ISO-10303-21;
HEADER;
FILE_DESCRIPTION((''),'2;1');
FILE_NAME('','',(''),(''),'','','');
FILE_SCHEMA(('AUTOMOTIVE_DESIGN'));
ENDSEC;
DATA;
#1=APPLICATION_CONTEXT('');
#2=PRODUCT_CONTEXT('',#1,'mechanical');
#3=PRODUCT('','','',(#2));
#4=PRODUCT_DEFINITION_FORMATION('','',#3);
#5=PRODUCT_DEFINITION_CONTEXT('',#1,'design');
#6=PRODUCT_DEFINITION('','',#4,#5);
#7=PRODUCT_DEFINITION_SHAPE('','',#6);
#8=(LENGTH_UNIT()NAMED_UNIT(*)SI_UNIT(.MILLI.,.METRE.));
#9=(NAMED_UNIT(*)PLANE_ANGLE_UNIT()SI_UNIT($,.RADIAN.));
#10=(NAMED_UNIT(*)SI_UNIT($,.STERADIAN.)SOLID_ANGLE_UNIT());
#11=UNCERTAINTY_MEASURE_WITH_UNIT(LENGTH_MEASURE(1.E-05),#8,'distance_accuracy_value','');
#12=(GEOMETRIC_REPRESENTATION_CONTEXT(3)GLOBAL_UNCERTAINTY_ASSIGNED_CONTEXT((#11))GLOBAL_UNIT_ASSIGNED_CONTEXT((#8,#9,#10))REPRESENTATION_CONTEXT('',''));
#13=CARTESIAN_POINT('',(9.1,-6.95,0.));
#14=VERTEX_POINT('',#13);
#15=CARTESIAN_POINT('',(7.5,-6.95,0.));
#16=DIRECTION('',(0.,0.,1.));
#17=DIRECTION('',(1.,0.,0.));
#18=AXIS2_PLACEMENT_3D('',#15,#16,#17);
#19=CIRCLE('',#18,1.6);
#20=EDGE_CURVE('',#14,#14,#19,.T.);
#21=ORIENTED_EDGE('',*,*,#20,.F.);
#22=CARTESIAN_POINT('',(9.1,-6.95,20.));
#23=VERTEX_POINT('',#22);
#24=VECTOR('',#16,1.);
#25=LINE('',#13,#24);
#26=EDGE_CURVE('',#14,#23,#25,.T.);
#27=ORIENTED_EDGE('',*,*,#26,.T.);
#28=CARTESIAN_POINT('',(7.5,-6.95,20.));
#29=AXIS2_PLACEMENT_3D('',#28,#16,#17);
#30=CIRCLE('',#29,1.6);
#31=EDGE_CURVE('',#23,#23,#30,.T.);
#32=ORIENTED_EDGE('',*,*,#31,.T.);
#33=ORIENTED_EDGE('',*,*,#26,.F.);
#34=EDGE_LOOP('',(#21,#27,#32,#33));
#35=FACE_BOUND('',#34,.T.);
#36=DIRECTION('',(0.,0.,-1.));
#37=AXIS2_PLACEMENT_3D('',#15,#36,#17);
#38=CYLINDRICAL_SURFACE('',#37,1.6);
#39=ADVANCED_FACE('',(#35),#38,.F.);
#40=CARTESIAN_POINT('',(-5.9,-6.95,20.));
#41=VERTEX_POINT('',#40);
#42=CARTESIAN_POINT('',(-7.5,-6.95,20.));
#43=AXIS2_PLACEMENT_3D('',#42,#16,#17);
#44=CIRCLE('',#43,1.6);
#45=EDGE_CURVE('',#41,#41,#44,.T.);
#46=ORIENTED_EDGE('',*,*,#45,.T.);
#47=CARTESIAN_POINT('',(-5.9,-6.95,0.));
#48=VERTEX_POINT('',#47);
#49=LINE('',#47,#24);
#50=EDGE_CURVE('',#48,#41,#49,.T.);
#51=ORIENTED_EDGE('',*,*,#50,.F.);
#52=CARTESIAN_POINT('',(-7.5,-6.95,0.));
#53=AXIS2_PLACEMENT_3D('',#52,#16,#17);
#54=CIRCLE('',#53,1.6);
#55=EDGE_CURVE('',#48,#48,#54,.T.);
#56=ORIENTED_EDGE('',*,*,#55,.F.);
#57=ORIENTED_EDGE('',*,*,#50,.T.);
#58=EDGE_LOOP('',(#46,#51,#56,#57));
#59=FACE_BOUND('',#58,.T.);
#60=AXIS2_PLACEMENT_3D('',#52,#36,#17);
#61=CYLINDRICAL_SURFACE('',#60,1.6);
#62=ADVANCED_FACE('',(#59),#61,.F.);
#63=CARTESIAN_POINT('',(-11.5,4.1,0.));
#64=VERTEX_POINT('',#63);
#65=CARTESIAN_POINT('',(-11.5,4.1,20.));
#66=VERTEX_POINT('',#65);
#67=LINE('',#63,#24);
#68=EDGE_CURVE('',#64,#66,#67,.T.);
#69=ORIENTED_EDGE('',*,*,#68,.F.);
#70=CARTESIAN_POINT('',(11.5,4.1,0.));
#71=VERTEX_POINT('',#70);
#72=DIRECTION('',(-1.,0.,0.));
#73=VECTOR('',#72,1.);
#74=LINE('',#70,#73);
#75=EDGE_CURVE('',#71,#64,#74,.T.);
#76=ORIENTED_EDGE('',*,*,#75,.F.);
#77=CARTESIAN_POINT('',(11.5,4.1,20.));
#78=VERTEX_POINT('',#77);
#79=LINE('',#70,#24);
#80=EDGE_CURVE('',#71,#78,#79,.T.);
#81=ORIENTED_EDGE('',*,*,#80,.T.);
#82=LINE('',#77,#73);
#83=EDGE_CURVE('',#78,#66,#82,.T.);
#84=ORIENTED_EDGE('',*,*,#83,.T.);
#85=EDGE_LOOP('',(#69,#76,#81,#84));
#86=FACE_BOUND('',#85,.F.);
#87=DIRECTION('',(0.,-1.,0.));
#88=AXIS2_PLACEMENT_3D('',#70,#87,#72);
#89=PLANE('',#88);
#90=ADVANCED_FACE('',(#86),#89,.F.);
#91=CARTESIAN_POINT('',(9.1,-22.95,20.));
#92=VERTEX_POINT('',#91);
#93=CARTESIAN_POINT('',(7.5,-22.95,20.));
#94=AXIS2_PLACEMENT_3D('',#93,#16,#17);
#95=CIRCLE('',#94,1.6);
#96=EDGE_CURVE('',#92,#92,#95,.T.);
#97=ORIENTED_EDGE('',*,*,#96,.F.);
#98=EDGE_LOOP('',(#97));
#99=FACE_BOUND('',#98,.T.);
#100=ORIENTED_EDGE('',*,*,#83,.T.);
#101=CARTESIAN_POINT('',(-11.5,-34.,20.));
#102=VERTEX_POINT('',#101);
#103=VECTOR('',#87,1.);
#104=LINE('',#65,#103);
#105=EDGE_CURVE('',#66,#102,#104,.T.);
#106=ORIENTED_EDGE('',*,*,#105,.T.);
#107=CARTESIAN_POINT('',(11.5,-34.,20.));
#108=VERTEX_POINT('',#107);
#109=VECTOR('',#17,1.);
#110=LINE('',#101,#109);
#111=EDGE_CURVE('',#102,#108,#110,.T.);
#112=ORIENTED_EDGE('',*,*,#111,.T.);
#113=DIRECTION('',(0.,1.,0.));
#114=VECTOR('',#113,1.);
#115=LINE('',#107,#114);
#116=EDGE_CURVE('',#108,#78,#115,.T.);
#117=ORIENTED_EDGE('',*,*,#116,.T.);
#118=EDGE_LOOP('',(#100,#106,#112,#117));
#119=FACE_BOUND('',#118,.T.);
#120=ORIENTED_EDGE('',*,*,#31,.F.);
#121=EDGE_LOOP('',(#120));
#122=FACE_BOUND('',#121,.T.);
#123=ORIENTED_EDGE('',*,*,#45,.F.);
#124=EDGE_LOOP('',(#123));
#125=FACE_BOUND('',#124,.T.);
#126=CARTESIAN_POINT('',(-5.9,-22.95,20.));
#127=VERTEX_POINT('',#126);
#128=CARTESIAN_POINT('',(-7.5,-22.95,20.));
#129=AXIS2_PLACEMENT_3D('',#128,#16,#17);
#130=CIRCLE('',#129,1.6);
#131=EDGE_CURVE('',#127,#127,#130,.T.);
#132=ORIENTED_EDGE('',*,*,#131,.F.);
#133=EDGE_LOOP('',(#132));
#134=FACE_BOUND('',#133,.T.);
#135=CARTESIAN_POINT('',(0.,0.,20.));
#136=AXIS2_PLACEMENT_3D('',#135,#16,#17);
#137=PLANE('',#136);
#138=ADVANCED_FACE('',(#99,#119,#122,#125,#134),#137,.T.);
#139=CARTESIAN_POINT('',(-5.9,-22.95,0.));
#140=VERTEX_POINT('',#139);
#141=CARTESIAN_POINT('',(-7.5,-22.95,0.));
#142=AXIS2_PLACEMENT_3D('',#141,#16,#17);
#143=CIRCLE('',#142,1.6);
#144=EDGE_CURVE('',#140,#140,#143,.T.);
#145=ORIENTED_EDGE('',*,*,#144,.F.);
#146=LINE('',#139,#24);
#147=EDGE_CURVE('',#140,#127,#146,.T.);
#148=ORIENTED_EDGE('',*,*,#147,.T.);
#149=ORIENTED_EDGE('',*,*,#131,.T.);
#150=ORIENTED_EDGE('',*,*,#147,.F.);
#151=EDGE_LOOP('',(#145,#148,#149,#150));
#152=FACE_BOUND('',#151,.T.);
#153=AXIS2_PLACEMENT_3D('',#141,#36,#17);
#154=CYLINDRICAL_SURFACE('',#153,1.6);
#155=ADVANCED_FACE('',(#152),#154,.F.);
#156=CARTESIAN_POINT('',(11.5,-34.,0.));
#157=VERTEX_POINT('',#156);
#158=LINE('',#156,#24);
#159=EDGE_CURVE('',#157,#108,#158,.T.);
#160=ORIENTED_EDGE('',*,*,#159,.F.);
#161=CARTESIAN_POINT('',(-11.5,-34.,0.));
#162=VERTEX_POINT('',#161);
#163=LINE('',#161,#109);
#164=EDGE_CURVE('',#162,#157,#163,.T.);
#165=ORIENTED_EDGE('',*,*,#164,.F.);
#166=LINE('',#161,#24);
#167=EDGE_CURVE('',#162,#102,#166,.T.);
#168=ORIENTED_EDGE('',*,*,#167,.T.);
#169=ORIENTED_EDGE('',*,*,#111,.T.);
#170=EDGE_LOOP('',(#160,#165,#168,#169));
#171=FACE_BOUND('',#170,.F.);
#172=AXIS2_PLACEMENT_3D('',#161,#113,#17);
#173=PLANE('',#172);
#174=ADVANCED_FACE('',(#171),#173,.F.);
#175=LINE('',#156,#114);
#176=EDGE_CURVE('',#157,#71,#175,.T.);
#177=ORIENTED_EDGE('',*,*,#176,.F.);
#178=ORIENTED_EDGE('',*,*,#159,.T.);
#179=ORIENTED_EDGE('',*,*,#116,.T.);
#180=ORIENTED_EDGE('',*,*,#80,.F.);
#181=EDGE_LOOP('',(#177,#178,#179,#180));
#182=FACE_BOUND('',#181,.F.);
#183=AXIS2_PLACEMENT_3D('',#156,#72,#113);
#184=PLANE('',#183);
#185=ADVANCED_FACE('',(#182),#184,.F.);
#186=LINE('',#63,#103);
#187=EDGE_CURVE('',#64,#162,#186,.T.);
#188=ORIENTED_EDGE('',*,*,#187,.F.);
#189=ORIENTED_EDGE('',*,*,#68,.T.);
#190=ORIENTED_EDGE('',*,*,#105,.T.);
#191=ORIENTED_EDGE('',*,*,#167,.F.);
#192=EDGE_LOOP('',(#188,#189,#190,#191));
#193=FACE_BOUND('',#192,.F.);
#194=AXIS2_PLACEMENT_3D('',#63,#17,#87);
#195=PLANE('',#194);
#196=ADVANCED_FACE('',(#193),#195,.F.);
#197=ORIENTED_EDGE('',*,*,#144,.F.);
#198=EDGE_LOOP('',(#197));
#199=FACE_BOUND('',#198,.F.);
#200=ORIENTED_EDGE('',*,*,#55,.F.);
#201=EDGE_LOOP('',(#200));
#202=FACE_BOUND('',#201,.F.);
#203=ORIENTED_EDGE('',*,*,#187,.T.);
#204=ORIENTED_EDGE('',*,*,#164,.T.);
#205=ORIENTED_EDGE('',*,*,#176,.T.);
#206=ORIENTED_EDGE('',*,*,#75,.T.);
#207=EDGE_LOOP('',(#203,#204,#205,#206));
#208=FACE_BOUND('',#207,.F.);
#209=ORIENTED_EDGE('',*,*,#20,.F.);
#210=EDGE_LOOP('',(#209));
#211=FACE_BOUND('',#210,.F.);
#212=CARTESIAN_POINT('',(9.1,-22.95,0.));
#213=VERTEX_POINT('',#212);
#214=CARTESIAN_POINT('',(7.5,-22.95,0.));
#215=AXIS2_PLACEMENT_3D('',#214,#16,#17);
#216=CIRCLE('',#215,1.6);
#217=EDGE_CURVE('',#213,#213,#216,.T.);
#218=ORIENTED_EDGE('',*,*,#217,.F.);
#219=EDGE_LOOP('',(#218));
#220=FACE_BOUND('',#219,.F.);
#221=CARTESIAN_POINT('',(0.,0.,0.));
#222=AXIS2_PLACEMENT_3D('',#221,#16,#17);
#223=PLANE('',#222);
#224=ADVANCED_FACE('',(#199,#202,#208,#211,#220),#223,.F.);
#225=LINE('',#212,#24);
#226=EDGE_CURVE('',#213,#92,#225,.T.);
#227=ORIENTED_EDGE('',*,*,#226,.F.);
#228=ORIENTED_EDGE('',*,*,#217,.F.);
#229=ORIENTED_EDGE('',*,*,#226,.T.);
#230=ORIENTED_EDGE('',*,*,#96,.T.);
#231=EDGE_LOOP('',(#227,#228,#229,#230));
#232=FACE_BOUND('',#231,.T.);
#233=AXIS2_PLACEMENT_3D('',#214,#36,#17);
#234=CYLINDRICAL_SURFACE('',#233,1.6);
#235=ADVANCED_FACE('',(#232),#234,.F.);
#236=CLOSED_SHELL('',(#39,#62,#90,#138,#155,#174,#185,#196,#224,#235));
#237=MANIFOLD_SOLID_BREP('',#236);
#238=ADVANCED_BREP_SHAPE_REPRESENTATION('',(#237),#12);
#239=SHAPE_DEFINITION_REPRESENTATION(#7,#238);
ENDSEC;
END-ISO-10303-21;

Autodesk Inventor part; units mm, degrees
ref_plane "YZ Plane" through (0, 0, 0) normal (1, 0, 0) x (0, 1, 0)
ref_plane "XZ Plane" through (0, 0, 0) normal (0, 1, 0) x (-1, 0, 0)
ref_plane "XY Plane" through (0, 0, 0) normal (0, 0, 1) x (1, 0, 0)
sketch "Эскиз1" plane through (0, 0, 0) normal (0, 0, 1) x (1, 0, 0)
  circle A0 centre (7.5, -22.95) radius 1.5 construction
  circle A1 centre (-7.5, -22.95) radius 1.5 construction
  circle A2 centre (-7.5, -6.95) radius 1.5 construction
  circle A3 centre (7.5, -6.95) radius 1.5 construction
  line L0 (-7.5, -6.95) -> (7.5, -22.95) construction
  line L1 (-11.5, -34) -> (11.5, -34)
  line L2 (11.5, -34) -> (11.5, 4.1)
  line L3 (11.5, 4.1) -> (-11.5, 4.1)
  line L4 (-11.5, 4.1) -> (-11.5, -34)
  line L5 (0, 4.1) -> (0, -34) construction
  line L6 (-7.5, -6.95) -> (7.5, -6.95) construction
  line L7 (0, -6.95) -> (0, -14.7883) construction
  line L8 (9, -34) -> (-9, -34) construction
  circle A4 centre (7.5, -6.95) radius 1.6
  circle A5 centre (-7.5, -22.95) radius 1.6
  circle A6 centre (7.5, -22.95) radius 1.6
  circle A7 centre (-7.5, -6.95) radius 1.6
  line L9 (9, 4.1) -> (-9, 4.1) construction
  point P0 (0, 0)
  point P1 (0, -10.8692)
  point P2 (0, -34)
  point P3 (0, 4.1)
  dimension "d0" = 4
  dimension "d2" = 3.2
  dimension "d3" = 3.2
  dimension "d4" = 3.2
  dimension "d5" = 3.2
extrude "Выдавливание1" add sketch "Эскиз1" along normal blind 20
properties part number "основа_каретки"
